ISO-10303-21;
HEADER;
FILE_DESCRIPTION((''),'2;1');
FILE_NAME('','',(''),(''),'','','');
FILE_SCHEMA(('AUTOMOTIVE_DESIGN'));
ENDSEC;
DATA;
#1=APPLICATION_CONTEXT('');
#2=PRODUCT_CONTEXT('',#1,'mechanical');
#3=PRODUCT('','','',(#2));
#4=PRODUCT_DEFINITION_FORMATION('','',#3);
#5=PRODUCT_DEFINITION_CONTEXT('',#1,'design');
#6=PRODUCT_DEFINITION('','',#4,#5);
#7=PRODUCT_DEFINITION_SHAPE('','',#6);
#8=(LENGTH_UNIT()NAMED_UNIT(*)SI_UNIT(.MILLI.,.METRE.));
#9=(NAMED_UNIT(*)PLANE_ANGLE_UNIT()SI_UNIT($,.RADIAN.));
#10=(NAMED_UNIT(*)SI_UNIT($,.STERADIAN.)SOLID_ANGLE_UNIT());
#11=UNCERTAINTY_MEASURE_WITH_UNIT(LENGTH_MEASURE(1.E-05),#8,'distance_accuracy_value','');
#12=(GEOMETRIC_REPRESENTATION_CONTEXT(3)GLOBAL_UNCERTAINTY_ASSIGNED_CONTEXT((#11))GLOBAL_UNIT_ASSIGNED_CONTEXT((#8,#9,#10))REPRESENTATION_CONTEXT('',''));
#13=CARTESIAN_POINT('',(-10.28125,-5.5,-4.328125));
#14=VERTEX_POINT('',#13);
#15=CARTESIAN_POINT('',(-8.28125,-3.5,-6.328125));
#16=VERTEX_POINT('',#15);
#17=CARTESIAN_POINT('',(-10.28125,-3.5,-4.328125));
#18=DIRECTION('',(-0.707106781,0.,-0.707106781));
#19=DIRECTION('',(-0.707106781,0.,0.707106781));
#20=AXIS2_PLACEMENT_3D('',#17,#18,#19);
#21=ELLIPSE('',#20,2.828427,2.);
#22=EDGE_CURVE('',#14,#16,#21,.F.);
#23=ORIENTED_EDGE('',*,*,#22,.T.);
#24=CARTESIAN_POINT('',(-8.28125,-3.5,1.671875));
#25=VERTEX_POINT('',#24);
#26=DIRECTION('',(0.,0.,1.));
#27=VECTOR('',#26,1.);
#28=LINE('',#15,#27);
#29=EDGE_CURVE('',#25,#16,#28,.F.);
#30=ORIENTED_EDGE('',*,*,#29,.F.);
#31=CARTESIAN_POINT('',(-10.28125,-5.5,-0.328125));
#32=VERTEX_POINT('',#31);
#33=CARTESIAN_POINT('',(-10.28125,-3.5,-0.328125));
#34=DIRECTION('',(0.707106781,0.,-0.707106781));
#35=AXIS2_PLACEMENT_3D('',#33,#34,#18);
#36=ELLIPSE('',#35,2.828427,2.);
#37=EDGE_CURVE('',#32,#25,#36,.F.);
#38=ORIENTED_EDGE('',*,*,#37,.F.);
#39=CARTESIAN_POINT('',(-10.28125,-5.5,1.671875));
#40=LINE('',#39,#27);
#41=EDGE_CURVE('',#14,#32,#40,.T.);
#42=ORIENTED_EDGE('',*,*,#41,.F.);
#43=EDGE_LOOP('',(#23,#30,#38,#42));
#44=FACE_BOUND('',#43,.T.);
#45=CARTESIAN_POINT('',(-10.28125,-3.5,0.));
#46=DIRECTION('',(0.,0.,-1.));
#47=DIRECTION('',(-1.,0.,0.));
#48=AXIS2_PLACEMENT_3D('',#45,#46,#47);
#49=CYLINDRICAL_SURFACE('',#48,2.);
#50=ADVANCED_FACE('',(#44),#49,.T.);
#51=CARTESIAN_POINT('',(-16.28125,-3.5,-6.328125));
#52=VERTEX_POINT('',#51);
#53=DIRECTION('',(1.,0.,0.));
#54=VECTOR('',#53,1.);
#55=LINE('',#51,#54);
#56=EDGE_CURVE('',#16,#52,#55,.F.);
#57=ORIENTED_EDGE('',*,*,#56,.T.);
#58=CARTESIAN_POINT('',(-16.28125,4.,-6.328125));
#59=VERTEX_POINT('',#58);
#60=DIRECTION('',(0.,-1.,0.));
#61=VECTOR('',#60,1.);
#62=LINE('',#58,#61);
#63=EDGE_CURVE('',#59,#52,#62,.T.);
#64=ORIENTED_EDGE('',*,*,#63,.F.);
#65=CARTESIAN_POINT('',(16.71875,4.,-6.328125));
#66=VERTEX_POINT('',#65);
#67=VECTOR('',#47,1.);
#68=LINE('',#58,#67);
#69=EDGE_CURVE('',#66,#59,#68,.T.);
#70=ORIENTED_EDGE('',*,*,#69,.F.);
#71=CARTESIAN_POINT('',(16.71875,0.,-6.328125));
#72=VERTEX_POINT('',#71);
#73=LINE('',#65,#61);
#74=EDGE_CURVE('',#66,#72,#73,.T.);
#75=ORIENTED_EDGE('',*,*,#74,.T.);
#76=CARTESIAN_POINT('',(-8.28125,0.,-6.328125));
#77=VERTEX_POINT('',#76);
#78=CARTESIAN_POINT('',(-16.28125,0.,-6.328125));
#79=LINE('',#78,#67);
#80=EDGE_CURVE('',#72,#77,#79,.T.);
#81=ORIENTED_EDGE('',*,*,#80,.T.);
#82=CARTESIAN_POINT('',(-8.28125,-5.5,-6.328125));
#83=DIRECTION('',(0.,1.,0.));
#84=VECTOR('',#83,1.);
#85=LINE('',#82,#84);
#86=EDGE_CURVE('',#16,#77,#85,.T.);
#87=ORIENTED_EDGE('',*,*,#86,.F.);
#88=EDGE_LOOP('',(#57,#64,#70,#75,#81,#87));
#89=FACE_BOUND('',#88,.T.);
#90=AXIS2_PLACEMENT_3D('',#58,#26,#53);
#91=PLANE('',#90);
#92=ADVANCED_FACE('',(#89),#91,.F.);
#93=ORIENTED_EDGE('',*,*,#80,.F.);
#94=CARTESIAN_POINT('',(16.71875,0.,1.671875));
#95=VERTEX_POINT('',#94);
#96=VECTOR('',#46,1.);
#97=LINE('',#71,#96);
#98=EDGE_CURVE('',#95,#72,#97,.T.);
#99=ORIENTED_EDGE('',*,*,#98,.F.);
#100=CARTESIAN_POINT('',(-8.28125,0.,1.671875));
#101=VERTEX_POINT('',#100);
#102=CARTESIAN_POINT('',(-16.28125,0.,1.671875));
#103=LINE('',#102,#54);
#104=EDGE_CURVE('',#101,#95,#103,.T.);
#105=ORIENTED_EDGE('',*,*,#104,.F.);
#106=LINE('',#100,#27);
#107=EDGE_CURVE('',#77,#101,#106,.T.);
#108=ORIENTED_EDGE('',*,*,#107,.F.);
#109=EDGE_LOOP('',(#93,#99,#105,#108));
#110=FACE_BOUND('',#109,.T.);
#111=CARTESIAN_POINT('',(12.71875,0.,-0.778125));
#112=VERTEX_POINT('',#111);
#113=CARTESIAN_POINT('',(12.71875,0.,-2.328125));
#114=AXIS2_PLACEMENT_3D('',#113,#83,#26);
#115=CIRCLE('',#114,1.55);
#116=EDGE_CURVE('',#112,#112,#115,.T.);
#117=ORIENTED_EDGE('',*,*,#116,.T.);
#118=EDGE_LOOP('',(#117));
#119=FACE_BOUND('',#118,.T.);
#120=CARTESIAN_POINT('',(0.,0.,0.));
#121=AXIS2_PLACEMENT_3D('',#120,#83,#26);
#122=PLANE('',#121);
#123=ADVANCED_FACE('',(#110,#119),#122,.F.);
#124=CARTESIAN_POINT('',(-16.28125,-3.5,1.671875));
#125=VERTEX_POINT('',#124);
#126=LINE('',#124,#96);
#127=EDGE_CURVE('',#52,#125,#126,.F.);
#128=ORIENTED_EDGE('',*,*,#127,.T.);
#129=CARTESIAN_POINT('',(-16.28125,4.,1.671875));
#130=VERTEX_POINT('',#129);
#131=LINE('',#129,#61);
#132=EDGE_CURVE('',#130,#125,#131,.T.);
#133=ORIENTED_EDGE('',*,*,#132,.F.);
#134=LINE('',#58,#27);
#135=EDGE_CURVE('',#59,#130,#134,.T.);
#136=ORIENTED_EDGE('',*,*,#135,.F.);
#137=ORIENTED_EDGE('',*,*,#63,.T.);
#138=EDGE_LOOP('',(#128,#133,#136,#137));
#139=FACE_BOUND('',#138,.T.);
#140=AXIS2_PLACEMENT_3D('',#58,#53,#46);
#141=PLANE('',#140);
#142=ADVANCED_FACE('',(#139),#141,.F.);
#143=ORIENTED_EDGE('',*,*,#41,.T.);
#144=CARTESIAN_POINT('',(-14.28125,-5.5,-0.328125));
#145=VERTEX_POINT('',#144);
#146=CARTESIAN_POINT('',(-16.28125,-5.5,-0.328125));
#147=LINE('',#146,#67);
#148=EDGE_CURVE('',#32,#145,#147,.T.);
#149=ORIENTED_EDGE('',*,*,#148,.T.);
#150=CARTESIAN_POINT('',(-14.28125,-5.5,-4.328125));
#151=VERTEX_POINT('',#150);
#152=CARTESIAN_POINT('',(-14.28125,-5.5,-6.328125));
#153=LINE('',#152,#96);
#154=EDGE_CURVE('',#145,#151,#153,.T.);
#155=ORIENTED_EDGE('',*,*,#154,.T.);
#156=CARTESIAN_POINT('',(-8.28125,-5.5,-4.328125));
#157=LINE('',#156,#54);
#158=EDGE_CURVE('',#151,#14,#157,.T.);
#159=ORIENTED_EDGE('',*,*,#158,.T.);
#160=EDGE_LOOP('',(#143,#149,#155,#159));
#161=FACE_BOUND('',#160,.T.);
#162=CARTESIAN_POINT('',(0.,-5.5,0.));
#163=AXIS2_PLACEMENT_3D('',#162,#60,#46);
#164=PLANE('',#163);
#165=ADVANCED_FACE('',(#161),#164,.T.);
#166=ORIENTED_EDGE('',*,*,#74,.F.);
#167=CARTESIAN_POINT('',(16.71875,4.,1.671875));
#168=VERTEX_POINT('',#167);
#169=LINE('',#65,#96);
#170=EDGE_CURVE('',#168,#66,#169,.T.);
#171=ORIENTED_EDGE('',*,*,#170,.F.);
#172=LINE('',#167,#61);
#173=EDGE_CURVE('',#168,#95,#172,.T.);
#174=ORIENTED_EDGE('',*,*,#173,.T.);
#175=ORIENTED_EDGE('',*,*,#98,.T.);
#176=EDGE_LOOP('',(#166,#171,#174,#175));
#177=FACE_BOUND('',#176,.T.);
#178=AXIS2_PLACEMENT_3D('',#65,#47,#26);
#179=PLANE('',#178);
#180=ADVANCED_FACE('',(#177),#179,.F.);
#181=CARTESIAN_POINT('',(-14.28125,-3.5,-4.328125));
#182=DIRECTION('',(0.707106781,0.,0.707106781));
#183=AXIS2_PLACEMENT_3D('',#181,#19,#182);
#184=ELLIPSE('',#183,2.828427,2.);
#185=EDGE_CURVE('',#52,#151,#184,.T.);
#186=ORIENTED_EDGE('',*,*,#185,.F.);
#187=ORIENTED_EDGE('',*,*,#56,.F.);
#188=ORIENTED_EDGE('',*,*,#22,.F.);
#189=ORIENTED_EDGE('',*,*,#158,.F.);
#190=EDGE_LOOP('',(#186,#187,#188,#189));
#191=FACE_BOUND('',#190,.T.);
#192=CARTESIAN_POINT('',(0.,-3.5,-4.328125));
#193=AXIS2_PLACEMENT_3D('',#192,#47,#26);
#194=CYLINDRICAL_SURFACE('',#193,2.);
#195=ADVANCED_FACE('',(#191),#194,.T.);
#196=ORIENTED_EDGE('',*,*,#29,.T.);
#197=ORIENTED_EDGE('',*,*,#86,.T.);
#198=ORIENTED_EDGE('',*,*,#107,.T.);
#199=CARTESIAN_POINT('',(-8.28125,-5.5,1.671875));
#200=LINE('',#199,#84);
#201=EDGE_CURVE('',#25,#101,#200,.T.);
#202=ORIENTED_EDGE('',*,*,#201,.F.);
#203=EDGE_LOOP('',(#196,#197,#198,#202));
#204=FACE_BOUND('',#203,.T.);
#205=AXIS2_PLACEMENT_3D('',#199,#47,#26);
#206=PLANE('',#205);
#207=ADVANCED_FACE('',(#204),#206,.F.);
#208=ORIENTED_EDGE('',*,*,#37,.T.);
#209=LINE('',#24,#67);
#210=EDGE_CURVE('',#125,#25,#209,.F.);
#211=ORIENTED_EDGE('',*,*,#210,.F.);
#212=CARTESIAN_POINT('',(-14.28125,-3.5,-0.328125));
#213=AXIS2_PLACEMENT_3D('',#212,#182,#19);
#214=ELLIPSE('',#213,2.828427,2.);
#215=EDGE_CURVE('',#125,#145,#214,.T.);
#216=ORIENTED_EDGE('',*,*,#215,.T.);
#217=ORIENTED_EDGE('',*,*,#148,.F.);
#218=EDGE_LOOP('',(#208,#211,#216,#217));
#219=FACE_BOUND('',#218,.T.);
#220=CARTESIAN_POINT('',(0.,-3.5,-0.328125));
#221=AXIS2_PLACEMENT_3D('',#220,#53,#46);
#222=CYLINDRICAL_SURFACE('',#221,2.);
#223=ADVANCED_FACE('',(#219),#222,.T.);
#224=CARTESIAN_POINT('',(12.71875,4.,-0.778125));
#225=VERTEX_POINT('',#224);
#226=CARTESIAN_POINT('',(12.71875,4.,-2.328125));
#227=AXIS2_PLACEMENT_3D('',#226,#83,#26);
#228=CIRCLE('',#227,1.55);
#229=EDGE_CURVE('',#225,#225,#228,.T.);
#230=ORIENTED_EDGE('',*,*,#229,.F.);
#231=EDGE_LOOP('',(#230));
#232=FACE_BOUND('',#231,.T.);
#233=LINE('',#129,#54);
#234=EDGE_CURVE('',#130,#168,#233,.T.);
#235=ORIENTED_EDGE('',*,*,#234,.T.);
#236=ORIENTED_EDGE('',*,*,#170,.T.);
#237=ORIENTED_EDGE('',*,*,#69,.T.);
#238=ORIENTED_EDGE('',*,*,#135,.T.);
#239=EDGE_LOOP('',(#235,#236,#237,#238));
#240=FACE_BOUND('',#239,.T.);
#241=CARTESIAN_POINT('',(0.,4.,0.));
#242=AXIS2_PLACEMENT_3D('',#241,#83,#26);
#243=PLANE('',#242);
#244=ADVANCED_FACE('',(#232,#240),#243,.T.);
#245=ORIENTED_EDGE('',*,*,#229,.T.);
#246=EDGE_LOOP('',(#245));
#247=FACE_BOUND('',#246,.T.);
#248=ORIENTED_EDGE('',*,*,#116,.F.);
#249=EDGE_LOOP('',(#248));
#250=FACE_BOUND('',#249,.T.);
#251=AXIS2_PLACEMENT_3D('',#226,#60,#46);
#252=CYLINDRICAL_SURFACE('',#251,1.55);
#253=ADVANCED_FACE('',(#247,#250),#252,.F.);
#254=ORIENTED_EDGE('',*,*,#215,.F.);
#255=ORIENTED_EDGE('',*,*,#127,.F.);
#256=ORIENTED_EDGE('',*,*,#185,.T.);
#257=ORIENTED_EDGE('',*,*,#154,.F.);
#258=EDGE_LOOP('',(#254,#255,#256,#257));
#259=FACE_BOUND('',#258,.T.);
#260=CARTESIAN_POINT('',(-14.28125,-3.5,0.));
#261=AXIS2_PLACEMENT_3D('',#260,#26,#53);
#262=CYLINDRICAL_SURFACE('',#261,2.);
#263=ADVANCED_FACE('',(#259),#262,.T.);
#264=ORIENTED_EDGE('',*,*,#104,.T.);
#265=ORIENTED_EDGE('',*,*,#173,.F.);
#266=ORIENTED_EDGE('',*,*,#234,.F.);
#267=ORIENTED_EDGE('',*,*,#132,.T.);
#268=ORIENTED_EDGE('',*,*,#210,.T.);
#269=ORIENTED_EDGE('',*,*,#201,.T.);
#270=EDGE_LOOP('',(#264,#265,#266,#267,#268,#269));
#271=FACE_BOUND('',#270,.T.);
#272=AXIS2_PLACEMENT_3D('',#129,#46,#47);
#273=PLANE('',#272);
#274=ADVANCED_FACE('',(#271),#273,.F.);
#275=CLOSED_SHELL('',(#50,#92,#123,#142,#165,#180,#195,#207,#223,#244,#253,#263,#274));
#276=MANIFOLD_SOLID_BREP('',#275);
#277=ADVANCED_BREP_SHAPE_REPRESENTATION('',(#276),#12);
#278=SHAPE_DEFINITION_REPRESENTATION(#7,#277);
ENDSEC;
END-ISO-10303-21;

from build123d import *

# Parameters (mm, degrees)
SKETCH1_W           = 33
SKETCH1_H           = 8
SKETCH1_R           = 1.55
BOSS_EXTRUDE1_DEPTH = 4
SKETCH3_W           = 8
SKETCH3_H           = 8
BOSS_EXTRUDE2_DEPTH = 5.5
FILLET1_R           = 2


with BuildPart() as part:
    # Sketch1 → Boss-Extrude1 (new body)
    with BuildSketch(Plane(origin=(0, 0, 0), x_dir=(1, 0, 0), z_dir=(0, 1, 0))):
        with Locations((0.21875, 2.328125)):
            Rectangle(SKETCH1_W, SKETCH1_H)
        with Locations(Location((12.71875, 2.328125, 0), (0, 0, 270))):
            Circle(SKETCH1_R, mode=Mode.SUBTRACT)
    extrude(amount=BOSS_EXTRUDE1_DEPTH)

    # Sketch3 → Boss-Extrude2 (add)
    with BuildSketch(Plane.XZ):
        with Locations((-12.28125, -2.328125)):
            Rectangle(SKETCH3_W, SKETCH3_H)
    extrude(amount=BOSS_EXTRUDE2_DEPTH)

    # Fillet1
    fillet1_edges = [part.edges().sort_by_distance(p)[0] for p in [
        (-16.28125, -5.5, -2.328125),
        (-12.28125, -5.5, -6.328125),
        (-8.28125, -5.5, -2.328125),
        (-12.28125, -5.5, 1.671875),
    ]]
    fillet(fillet1_edges, radius=FILLET1_R)


solid = part.part
